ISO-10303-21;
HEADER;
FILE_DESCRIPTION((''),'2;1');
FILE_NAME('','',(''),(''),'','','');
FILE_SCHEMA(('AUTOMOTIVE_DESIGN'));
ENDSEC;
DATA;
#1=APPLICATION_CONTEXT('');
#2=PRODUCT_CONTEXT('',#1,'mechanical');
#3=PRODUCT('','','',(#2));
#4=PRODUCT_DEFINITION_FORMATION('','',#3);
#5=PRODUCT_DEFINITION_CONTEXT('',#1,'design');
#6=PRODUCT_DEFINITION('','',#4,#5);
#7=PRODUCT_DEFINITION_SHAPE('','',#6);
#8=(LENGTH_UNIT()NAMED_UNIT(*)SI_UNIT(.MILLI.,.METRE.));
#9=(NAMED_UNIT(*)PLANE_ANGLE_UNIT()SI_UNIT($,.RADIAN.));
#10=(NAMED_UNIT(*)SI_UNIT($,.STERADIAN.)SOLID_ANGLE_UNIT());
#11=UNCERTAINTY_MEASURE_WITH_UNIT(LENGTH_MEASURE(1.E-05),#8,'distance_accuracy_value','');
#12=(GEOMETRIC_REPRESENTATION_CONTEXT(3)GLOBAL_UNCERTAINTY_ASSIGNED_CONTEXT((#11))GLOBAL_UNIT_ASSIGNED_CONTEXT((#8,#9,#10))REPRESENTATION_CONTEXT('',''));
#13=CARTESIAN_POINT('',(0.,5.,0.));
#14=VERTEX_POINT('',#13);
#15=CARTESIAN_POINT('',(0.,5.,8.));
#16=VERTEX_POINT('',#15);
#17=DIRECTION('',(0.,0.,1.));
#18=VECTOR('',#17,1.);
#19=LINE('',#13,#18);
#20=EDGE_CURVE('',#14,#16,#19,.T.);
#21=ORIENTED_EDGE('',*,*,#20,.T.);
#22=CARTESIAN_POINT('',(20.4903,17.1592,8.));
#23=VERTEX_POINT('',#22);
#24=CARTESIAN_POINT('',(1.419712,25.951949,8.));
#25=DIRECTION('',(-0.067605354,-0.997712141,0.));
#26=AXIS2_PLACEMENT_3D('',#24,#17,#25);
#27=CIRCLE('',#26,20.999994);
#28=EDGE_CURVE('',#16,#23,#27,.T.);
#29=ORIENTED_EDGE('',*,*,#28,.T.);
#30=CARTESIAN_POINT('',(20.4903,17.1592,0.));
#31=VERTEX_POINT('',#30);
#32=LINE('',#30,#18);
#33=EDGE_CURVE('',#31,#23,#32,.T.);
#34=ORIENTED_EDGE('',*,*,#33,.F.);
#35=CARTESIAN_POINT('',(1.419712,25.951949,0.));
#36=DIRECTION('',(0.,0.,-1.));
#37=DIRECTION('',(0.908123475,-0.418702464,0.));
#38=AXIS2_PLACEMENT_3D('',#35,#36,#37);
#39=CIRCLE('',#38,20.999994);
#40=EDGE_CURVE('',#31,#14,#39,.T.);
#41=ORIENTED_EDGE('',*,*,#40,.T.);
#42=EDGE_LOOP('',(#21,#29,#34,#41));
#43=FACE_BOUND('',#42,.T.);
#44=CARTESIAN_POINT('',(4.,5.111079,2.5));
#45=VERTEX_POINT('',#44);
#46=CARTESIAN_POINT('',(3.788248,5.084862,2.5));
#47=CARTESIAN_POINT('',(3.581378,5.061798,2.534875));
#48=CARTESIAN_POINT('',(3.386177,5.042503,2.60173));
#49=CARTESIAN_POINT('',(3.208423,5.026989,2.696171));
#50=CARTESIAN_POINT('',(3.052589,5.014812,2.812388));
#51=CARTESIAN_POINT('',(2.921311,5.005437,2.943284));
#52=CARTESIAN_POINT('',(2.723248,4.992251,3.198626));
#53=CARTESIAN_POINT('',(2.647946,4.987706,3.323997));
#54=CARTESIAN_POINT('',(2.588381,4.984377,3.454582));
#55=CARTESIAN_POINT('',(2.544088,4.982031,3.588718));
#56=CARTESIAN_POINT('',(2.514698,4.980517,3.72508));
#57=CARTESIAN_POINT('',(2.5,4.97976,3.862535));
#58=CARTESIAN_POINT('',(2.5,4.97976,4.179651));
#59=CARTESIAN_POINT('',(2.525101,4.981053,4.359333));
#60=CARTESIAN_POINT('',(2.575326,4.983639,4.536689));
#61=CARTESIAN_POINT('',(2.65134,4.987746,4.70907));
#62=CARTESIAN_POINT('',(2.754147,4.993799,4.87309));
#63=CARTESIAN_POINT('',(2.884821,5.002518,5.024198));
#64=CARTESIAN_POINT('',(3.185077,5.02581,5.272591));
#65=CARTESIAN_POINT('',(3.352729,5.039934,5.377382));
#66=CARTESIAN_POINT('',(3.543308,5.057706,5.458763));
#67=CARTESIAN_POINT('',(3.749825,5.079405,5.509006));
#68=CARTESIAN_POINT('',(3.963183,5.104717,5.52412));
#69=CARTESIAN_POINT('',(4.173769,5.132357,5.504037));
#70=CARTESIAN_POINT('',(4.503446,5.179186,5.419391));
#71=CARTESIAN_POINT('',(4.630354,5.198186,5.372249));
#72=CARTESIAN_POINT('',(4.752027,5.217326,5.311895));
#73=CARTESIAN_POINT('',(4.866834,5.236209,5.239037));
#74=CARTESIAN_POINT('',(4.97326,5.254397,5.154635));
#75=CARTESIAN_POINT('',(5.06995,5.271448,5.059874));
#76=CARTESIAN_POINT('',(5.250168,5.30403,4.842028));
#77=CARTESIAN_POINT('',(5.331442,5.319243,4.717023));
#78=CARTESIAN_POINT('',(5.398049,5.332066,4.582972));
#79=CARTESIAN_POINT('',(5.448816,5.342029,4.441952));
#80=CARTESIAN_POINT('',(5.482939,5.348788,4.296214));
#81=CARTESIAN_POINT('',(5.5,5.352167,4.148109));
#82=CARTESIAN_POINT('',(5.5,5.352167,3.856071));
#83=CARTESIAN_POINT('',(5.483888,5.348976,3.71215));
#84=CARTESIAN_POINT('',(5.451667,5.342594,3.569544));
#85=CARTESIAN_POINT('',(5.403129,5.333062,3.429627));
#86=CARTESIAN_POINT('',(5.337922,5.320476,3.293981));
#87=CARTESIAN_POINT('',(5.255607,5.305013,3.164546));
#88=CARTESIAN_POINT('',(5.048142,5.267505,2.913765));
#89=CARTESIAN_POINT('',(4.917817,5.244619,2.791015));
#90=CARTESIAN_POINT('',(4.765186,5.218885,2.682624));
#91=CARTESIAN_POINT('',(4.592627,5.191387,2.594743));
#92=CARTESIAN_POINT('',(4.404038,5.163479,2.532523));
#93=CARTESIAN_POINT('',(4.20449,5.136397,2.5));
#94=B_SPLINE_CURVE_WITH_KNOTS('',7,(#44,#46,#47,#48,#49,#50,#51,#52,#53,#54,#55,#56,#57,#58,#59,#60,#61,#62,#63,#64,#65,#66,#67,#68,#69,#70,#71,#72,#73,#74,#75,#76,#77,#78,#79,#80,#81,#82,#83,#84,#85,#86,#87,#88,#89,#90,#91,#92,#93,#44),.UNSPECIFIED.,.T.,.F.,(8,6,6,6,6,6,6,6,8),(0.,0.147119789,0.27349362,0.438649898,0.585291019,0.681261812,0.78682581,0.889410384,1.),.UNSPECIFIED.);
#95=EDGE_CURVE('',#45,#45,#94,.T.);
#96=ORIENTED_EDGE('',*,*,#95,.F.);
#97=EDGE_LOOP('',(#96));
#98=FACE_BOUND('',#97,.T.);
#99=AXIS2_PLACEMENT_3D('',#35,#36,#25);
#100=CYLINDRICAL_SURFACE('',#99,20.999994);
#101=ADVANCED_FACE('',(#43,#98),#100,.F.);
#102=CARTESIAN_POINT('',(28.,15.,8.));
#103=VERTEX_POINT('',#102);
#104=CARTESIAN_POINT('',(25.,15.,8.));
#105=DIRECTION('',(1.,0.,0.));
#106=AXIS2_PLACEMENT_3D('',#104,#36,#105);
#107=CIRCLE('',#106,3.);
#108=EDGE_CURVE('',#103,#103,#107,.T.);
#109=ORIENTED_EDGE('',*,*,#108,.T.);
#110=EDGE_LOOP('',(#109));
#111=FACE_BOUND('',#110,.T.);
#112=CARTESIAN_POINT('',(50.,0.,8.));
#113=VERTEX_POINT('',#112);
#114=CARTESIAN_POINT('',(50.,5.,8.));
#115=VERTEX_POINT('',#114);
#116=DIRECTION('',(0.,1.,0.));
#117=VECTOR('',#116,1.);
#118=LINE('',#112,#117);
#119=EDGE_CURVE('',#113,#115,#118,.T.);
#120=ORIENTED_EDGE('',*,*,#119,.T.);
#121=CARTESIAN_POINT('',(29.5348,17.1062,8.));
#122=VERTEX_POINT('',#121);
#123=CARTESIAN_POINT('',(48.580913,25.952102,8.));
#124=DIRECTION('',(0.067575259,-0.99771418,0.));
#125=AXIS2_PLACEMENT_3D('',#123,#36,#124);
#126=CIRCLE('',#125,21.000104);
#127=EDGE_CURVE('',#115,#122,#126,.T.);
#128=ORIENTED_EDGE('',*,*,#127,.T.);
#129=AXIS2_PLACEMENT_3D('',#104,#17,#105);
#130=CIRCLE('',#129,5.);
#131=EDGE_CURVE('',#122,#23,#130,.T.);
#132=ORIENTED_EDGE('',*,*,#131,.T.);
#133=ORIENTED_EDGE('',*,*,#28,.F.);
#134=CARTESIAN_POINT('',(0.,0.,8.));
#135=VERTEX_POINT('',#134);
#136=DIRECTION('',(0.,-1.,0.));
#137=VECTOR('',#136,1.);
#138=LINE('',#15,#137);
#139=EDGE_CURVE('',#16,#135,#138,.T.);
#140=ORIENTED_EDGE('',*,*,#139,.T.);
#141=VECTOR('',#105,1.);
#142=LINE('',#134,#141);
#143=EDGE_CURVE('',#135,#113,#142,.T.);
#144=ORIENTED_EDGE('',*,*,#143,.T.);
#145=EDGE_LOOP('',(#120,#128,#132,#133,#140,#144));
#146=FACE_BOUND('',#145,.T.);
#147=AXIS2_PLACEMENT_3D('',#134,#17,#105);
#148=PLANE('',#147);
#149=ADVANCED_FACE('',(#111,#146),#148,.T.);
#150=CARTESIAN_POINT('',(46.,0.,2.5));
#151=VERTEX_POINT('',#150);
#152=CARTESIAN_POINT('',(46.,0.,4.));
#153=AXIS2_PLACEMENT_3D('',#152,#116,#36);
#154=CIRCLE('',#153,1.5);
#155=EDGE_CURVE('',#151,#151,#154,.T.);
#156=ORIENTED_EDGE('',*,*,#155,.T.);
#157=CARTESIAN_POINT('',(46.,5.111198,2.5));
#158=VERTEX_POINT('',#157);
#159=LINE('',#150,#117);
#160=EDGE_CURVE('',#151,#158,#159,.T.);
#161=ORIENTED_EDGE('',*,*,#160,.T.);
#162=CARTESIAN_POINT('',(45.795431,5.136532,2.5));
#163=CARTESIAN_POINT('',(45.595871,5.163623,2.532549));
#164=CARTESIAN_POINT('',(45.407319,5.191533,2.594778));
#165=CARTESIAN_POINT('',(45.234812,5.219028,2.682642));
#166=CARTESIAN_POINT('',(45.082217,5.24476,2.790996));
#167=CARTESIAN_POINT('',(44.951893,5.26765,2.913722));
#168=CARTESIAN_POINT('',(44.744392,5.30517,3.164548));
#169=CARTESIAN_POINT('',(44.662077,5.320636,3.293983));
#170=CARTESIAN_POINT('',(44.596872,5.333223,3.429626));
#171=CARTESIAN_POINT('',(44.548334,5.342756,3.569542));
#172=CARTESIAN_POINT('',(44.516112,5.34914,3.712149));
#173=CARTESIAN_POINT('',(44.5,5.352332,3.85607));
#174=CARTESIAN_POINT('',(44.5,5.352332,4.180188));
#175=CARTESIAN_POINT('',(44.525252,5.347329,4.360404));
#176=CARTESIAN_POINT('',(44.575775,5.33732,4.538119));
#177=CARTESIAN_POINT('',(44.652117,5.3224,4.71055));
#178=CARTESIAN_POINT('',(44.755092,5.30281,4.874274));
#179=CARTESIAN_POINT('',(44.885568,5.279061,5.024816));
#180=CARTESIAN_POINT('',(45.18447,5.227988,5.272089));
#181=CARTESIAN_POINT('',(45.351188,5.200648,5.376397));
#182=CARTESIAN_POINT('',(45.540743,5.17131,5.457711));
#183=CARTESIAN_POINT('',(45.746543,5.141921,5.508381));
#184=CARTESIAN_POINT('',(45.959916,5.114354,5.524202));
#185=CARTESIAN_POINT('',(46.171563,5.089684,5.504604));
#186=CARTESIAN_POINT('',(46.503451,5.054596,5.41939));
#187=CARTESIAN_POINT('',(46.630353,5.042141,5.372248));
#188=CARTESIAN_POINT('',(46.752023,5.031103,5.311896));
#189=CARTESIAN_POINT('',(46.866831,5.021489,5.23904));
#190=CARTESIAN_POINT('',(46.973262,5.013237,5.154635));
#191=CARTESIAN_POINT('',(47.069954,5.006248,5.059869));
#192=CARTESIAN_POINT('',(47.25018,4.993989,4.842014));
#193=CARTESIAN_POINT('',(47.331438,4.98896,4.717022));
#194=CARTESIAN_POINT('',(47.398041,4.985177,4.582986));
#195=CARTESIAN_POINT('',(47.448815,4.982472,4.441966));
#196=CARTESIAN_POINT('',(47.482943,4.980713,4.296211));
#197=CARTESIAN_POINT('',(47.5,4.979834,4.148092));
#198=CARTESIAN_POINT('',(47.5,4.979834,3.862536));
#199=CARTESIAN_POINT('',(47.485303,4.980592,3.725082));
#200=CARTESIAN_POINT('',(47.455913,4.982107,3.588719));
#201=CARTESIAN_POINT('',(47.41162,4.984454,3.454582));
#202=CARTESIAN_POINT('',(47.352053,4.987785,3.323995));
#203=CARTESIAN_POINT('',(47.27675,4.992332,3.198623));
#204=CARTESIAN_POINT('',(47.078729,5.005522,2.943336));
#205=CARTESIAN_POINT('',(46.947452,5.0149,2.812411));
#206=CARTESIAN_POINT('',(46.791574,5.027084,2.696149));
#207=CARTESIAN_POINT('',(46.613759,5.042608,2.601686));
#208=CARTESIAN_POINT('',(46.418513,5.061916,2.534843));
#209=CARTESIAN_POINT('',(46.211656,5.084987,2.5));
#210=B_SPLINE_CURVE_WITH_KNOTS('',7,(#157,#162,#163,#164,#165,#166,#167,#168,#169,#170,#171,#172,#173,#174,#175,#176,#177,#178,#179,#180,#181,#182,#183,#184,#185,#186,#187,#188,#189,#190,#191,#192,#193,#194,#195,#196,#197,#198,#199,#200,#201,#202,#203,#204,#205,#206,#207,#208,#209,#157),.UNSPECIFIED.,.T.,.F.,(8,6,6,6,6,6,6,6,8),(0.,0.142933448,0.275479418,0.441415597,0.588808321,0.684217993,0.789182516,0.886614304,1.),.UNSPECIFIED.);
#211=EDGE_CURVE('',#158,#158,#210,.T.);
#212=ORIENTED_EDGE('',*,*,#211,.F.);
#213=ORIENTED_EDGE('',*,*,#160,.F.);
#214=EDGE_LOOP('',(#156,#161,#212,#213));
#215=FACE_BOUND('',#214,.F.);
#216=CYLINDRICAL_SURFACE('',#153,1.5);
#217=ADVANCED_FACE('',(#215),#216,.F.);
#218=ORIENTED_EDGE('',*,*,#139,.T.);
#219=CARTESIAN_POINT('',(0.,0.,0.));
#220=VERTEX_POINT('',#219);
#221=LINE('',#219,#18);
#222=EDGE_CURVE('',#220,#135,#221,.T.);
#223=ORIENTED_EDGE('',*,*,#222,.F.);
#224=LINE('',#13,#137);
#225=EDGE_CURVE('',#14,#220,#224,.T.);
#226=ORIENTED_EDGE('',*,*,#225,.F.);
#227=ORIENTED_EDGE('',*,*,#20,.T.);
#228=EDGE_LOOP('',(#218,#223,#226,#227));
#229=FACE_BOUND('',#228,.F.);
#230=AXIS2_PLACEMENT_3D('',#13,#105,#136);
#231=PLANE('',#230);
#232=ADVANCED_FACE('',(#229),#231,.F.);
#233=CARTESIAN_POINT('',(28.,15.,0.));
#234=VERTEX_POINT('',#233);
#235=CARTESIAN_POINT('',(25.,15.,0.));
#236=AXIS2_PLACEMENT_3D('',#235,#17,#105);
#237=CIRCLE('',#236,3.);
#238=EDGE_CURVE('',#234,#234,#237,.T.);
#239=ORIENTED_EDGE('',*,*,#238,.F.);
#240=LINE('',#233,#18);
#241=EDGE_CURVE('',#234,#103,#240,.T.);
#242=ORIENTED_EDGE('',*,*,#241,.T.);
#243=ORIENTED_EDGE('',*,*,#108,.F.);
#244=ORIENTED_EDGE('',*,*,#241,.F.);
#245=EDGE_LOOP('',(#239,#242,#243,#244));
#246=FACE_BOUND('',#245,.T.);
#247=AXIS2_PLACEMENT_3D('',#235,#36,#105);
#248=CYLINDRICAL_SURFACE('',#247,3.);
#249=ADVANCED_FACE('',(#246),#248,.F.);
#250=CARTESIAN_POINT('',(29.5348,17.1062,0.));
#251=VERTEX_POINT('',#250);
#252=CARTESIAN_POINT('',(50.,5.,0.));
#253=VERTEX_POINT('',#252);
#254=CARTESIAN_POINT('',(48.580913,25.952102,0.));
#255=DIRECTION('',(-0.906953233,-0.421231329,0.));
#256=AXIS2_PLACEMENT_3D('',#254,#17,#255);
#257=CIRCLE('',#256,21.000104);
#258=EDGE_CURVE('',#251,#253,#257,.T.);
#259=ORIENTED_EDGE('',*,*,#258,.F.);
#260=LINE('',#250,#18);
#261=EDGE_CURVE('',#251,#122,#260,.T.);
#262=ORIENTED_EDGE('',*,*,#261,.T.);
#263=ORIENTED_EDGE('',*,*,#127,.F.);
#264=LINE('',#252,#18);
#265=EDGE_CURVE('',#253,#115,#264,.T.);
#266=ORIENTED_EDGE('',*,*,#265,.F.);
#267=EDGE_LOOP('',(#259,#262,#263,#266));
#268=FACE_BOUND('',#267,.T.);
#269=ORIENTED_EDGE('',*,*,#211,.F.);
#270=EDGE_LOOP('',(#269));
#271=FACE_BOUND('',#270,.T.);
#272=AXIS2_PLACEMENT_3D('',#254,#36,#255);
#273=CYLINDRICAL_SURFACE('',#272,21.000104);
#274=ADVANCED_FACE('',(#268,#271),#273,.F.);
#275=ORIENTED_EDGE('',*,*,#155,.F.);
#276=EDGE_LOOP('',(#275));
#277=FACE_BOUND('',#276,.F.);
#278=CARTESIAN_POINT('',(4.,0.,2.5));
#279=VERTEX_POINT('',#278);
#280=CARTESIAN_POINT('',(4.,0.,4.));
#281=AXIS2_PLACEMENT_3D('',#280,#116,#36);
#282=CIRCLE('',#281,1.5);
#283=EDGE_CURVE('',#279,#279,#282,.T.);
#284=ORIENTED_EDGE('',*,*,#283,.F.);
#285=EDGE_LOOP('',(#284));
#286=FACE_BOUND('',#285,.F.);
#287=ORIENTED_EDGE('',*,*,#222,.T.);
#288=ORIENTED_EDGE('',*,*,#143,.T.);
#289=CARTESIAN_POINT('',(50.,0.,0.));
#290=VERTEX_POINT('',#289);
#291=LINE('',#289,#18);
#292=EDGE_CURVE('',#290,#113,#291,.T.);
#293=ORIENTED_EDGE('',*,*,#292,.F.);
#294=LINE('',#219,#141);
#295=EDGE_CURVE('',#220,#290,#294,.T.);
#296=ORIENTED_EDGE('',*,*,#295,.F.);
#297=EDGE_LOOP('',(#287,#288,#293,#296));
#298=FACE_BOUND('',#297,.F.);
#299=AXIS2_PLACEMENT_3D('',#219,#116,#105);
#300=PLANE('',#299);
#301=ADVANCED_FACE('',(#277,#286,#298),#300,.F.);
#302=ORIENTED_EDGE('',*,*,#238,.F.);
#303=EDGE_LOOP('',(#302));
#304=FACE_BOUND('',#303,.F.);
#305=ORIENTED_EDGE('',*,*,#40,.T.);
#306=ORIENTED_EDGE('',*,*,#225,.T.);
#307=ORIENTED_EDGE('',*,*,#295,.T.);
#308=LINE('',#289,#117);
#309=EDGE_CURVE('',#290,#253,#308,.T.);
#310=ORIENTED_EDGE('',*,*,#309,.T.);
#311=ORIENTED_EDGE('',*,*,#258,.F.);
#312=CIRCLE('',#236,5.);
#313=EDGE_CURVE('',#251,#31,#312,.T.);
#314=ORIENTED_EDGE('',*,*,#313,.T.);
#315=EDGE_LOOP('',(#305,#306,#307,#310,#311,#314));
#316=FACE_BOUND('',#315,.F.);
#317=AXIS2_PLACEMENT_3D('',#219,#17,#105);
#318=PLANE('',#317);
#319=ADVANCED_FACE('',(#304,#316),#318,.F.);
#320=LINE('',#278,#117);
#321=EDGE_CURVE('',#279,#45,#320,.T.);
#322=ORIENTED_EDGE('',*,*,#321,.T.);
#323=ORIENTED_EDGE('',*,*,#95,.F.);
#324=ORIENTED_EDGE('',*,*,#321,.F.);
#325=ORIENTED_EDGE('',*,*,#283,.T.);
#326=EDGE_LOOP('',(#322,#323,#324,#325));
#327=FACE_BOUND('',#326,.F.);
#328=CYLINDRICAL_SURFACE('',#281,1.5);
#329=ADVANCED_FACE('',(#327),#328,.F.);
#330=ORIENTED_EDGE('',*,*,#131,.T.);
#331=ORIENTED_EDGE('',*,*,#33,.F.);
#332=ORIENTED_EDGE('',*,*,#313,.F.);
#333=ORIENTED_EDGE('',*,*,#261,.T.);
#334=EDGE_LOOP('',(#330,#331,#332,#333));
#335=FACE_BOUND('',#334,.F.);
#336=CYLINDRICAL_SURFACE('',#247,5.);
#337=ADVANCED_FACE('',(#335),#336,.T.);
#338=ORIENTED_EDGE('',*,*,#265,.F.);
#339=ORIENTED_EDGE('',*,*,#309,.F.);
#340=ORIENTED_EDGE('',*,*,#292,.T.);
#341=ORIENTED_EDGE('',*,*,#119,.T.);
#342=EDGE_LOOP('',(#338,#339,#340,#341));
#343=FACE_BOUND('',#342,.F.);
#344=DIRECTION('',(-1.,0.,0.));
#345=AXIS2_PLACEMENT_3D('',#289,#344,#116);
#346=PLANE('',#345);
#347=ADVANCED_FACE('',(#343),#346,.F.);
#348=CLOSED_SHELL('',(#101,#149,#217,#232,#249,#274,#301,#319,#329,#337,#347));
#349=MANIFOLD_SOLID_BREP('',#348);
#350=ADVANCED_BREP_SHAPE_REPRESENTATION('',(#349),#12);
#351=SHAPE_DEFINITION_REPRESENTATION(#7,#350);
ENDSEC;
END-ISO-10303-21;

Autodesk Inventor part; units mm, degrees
ref_plane "YZ Plane" through (0, 0, 0) normal (1, 0, 0) x (0, 1, 0)
ref_plane "XZ Plane" through (0, 0, 0) normal (0, 1, 0) x (-1, 0, 0)
ref_plane "XY Plane" through (0, 0, 0) normal (0, 0, 1) x (1, 0, 0)
sketch "Sketch1" plane through (0, 0, 0) normal (0, 0, 1) x (1, 0, 0)
  line L0 (0, 0) -> (50, 0)
  line L1 (50, 0) -> (50, 5)
  line L2 (50, 5) -> (0, 5)
  line L3 (0, 5) -> (0, 0)
  line L4 (20, 5) -> (30, 5)
  line L5 (30, 5) -> (30, 15)
  line L6 (30, 15) -> (20, 15)
  line L7 (20, 15) -> (20, 5)
  circle A0 centre (25, 15) radius 5
  arc A1 (0, 5) -> (20.4903, 17.1592) centre (1.4197, 25.952) ccw
  arc A2 (29.5348, 17.1062) -> (50, 5) centre (48.5808, 25.952) ccw
  circle A3 centre (25, 15) radius 3
  point P0 (50, 2.5)
  point P1 (0, 2.5)
  dimension "d0" = 50
  dimension "d1" = 5
  dimension "d2" = 10
  dimension "d3" = 20
  dimension "d4" = 15
  dimension "d5" = 21
  dimension "d7" = 21
  dimension "d8" = 12.1592
  dimension "d9" = 6
extrude "Extrusion1" add sketch "Sketch1" along normal blind 8 contours L3 A1 L2 A2 L1 L0 | A0 L6 A3 | A1 A0 L7 L2 | L2 L5 A0 A2 | L7 A0 L5 L2 | L6 A3 A0
sketch "Sketch2" plane through (0, 0, 0) normal (0, -1, 0) x (1, 0, 0)
  line L0 (0, 8) -> (50, 8) projected
  line L1 (0, 0) -> (0, 8) projected
  line L2 (50, 0) -> (50, 8) projected
  point P0 (4, 4)
  point P1 (46, 4)
  point P2 (50, 4)
  dimension "d12" = 4
  dimension "d13" = 4
  dimension "d14" = 4
  dimension "d15" = 4
hole "Hole2" at (4, 0, 4) at (46, 0, 4) direction (0, 1, 0) diameter 3 end through all
properties part number "podstawa"
